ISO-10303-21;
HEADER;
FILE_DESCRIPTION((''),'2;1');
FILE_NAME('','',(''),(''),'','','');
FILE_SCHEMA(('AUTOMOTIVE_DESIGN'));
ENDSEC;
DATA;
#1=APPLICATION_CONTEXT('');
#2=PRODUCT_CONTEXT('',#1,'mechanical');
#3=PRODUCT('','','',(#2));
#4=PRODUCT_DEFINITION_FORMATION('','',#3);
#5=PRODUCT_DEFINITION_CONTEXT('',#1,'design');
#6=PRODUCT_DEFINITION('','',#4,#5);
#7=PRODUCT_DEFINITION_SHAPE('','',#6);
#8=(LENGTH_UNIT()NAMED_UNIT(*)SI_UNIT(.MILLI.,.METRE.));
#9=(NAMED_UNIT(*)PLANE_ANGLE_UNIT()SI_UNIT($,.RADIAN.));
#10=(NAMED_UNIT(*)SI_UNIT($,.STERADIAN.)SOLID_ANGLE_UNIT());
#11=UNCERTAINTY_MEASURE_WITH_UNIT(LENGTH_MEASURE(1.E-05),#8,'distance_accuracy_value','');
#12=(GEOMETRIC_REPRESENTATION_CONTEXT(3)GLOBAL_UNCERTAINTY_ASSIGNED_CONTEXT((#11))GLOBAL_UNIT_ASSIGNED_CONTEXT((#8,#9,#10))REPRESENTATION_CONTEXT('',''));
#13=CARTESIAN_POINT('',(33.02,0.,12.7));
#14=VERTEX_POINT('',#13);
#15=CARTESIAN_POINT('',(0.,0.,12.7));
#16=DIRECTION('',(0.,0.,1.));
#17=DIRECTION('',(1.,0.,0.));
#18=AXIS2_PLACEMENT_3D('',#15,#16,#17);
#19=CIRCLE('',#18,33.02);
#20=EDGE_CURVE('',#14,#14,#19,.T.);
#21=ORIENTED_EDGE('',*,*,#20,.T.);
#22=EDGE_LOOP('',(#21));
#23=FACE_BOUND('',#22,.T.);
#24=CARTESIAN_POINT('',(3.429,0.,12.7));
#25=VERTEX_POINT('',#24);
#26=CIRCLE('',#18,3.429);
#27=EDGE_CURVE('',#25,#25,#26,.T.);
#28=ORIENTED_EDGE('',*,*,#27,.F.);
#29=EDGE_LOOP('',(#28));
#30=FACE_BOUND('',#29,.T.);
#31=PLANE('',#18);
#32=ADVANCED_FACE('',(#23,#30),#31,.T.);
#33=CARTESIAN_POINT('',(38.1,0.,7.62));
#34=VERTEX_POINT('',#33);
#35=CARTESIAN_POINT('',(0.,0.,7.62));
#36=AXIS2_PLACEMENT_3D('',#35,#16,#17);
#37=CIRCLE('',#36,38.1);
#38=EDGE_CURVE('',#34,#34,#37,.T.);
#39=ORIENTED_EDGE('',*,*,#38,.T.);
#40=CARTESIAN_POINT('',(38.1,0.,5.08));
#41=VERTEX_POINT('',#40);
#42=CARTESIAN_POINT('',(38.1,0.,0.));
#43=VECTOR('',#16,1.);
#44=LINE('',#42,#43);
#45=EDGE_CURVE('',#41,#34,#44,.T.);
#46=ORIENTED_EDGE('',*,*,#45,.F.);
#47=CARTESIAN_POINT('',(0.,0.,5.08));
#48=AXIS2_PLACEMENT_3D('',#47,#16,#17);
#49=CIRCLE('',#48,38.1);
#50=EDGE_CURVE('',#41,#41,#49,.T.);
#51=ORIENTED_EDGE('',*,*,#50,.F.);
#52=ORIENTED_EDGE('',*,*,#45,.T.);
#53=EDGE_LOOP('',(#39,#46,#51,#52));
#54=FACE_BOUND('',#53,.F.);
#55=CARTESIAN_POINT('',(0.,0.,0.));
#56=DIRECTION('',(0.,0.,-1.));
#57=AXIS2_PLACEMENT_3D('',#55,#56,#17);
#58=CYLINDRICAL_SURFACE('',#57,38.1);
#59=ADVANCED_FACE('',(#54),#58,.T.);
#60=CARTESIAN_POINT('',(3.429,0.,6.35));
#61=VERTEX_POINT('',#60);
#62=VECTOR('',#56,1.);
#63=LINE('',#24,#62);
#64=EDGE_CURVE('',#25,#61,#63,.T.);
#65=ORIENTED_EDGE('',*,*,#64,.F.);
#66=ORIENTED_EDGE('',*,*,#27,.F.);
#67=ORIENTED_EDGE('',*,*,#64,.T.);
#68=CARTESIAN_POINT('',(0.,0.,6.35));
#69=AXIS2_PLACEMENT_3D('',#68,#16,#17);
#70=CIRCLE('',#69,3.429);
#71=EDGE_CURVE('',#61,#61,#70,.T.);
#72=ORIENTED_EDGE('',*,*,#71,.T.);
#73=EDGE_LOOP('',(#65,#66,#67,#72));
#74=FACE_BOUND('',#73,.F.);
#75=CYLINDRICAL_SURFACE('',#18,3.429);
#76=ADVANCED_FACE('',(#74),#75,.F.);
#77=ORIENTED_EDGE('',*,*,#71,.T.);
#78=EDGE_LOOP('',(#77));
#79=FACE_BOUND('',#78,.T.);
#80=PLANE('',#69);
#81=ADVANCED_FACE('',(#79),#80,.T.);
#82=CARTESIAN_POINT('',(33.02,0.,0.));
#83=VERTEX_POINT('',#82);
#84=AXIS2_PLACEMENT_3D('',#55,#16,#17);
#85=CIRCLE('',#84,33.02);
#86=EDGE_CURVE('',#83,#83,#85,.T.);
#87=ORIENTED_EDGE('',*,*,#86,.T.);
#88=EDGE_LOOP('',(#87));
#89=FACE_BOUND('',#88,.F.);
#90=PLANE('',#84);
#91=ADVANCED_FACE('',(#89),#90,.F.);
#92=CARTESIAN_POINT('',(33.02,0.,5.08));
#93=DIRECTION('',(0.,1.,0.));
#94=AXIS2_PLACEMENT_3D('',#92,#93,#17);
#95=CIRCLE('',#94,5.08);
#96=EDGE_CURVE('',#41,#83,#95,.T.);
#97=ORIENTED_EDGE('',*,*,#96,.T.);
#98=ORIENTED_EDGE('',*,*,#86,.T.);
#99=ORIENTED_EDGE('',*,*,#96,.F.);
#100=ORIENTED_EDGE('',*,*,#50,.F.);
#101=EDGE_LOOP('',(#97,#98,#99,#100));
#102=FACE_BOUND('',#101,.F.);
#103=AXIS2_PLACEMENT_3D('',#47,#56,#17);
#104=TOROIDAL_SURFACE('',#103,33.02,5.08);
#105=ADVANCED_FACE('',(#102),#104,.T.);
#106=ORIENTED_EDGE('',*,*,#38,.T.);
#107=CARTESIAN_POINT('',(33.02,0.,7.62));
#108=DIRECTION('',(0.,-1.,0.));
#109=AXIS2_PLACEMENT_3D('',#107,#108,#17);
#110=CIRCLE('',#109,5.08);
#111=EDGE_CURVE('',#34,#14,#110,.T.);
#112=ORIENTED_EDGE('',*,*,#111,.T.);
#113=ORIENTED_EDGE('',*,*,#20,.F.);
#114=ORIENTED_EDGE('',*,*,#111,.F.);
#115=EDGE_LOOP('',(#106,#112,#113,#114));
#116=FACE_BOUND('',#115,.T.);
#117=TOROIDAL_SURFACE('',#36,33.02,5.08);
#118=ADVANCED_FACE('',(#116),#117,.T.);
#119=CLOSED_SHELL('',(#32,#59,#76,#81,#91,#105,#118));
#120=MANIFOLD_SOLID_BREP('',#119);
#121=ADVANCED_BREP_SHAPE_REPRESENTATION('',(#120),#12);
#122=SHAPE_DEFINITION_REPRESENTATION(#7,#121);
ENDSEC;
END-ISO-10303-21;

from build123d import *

# Parameters (mm, degrees)
F0_R     = 38.1
F1_DEPTH = 12.7
F2_R     = 5.08
F3_R     = 3.429
F4_DEPTH = 6.35


with BuildPart() as f1:
    # F0 (on Top) → F1 (new body)
    with BuildSketch(Plane.XY):
        Circle(F0_R)
    extrude(amount=F1_DEPTH)

    # F2
    f2_edges = [f1.edges().sort_by_distance(p)[0] for p in [
        (-38.1, 0, 0),
        (-38.1, 0, 12.7),
    ]]
    fillet(f2_edges, radius=F2_R)

    # F3 (on face) → F4 (cut)
    with BuildSketch(Plane.XY.offset(12.7)):
        Circle(F3_R)
    extrude(amount=-F4_DEPTH, mode=Mode.SUBTRACT)


solid = f1.part
